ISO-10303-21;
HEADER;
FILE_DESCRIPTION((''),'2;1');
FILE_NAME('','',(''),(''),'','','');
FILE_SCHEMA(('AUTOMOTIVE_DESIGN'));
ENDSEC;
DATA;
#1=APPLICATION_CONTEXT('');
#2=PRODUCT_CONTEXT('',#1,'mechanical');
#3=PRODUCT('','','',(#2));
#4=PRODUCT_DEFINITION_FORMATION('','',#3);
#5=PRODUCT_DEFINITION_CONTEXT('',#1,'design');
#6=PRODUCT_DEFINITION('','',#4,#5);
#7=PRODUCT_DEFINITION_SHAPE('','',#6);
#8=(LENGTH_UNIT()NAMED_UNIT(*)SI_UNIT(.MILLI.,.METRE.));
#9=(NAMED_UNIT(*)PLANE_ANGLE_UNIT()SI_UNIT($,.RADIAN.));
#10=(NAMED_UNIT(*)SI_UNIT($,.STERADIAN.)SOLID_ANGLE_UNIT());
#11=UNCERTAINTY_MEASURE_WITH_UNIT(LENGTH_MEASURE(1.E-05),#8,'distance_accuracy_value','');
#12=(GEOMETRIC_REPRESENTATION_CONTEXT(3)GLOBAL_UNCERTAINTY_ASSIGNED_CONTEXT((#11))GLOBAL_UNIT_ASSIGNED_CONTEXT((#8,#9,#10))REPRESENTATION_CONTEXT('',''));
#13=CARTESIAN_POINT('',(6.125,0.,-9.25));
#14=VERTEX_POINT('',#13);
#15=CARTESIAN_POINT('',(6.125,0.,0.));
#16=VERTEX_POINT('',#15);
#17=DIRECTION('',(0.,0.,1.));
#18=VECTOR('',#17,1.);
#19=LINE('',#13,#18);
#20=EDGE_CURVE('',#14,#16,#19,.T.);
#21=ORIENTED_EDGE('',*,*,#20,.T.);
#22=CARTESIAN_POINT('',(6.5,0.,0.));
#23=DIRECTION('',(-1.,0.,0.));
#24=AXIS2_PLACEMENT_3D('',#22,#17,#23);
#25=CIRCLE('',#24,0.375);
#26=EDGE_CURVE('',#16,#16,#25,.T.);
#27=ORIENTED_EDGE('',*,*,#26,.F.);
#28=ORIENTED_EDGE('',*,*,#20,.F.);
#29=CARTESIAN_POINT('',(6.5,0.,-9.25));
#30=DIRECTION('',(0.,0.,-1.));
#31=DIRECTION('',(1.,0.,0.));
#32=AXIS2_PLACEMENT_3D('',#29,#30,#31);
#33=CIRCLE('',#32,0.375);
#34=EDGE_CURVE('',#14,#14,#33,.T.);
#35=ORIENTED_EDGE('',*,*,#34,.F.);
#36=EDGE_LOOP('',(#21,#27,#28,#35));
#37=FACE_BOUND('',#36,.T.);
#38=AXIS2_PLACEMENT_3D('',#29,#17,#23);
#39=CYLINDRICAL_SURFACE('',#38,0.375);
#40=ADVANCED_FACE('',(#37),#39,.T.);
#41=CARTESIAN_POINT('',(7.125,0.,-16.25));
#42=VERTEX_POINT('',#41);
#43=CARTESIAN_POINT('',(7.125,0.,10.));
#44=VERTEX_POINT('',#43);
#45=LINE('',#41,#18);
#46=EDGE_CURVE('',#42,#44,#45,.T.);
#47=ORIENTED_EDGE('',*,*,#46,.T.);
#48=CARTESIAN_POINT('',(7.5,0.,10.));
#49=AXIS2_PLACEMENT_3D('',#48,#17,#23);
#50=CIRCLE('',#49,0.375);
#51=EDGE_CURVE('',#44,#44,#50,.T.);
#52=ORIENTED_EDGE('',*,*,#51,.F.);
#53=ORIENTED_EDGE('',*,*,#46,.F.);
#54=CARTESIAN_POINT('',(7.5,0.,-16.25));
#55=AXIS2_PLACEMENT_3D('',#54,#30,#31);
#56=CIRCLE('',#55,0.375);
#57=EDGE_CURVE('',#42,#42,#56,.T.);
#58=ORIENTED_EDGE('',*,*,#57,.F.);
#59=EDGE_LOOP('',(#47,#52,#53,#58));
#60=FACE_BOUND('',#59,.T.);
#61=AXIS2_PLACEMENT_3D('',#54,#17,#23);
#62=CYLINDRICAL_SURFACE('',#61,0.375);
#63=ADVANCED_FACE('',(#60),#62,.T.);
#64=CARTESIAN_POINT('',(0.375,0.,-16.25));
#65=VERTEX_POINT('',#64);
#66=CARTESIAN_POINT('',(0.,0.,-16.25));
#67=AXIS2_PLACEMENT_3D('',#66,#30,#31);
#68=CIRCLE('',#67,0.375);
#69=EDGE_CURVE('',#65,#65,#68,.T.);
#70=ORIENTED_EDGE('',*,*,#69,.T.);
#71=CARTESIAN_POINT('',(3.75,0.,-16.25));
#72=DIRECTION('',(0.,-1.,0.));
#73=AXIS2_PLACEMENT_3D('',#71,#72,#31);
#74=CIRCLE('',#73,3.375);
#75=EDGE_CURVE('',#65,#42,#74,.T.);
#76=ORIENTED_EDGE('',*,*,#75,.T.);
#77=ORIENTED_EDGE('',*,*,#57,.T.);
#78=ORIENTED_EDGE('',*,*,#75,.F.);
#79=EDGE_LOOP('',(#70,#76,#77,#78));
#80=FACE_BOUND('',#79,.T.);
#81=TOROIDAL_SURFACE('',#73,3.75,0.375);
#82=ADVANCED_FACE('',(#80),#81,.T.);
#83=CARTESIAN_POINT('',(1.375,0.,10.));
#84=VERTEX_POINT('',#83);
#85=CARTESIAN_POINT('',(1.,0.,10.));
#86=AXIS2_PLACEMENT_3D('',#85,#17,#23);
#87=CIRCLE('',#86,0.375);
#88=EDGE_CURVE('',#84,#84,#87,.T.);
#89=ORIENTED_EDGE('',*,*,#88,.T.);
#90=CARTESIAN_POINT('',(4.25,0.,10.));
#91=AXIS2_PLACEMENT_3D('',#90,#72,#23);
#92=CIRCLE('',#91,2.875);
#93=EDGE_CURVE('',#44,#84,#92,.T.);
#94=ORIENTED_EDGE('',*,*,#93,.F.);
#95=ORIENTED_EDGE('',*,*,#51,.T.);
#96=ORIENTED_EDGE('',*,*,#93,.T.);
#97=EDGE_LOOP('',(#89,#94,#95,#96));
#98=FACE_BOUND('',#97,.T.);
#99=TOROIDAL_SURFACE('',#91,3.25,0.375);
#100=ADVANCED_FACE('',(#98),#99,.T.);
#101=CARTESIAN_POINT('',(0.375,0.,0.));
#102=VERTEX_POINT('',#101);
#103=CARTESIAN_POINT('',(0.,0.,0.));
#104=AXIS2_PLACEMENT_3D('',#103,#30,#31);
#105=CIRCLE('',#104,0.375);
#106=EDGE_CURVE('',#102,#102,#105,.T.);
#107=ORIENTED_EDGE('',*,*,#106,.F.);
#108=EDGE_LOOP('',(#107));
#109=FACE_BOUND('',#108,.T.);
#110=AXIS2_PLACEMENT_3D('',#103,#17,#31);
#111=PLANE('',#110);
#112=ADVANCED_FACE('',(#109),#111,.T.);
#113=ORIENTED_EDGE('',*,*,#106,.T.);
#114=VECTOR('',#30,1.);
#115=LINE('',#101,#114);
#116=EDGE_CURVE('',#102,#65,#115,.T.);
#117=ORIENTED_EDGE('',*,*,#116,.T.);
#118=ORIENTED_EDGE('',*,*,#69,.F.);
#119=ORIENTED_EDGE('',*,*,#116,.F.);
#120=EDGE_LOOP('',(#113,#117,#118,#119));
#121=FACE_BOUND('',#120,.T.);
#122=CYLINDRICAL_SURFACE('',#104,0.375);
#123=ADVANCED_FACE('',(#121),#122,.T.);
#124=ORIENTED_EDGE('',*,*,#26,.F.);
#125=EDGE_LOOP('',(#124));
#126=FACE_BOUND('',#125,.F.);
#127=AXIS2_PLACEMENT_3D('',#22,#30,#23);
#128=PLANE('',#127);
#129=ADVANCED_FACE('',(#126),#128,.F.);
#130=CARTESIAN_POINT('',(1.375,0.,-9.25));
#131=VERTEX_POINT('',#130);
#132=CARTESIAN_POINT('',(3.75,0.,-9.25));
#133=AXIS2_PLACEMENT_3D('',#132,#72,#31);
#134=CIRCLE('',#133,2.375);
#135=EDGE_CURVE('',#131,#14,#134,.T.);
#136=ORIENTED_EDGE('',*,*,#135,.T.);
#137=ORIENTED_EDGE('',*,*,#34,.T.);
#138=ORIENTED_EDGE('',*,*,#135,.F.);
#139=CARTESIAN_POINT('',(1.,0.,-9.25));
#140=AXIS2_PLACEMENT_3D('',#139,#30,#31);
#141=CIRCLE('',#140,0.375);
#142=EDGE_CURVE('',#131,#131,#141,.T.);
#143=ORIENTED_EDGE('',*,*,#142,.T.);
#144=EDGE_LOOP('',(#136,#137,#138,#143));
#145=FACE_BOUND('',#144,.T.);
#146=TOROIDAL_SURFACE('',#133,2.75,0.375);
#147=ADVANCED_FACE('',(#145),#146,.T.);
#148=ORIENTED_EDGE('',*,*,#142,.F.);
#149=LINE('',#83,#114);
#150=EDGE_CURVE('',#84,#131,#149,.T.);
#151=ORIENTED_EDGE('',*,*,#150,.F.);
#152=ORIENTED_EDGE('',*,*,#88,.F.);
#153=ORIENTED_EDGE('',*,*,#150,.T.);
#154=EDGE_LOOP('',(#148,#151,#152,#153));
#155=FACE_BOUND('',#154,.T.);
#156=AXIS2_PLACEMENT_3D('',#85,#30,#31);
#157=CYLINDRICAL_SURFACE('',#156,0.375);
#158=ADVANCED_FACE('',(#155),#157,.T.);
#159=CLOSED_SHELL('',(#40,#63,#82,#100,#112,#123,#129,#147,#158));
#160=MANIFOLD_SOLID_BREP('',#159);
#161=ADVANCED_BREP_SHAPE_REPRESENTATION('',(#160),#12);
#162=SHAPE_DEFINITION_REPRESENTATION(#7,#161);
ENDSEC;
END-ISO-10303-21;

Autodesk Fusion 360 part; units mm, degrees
sketch "Sketch1" plane through (0, 0, 0) normal (0, 1, 0) x (1, 0, 0)
  line L0 (0, 0) -> (0, 16.25)
  line L1 (0, 16.25) -> (7.5, 16.25) construction
  line L2 (7.5, 16.25) -> (7.5, -10)
  line L3 (7.5, -10) -> (1, -10) construction
  line L4 (1, -10) -> (1, 9.25)
  line L5 (1, 9.25) -> (6.5, 9.25) construction
  line L6 (6.5, 9.25) -> (6.5, 0)
  arc A0 (7.5, 16.25) -> (0, 16.25) centre (3.75, 16.25) ccw
  arc A1 (6.5, 9.25) -> (1, 9.25) centre (3.75, 9.25) ccw
  arc A2 (1, -10) -> (7.5, -10) centre (4.25, -10) ccw
  dimension "d1" = 16.25
  dimension "d2" = 7.5
  dimension "d3" = 26.25
  dimension "d4" = 19.25
  dimension "d5" = 5.5
  dimension "d6" = 9.25
sketch "Sketch3" plane through (0, 0, 0) normal (0, 0, 1) x (1, 0, 0)
  circle A0 centre (0, 0) radius 0.375
  dimension "d7" = 0.75
sweep "Sweep1" add profiles "Sketch3" path "Sketch1" along L0 A0 L2 A2 L4 A1 L6 section 1
